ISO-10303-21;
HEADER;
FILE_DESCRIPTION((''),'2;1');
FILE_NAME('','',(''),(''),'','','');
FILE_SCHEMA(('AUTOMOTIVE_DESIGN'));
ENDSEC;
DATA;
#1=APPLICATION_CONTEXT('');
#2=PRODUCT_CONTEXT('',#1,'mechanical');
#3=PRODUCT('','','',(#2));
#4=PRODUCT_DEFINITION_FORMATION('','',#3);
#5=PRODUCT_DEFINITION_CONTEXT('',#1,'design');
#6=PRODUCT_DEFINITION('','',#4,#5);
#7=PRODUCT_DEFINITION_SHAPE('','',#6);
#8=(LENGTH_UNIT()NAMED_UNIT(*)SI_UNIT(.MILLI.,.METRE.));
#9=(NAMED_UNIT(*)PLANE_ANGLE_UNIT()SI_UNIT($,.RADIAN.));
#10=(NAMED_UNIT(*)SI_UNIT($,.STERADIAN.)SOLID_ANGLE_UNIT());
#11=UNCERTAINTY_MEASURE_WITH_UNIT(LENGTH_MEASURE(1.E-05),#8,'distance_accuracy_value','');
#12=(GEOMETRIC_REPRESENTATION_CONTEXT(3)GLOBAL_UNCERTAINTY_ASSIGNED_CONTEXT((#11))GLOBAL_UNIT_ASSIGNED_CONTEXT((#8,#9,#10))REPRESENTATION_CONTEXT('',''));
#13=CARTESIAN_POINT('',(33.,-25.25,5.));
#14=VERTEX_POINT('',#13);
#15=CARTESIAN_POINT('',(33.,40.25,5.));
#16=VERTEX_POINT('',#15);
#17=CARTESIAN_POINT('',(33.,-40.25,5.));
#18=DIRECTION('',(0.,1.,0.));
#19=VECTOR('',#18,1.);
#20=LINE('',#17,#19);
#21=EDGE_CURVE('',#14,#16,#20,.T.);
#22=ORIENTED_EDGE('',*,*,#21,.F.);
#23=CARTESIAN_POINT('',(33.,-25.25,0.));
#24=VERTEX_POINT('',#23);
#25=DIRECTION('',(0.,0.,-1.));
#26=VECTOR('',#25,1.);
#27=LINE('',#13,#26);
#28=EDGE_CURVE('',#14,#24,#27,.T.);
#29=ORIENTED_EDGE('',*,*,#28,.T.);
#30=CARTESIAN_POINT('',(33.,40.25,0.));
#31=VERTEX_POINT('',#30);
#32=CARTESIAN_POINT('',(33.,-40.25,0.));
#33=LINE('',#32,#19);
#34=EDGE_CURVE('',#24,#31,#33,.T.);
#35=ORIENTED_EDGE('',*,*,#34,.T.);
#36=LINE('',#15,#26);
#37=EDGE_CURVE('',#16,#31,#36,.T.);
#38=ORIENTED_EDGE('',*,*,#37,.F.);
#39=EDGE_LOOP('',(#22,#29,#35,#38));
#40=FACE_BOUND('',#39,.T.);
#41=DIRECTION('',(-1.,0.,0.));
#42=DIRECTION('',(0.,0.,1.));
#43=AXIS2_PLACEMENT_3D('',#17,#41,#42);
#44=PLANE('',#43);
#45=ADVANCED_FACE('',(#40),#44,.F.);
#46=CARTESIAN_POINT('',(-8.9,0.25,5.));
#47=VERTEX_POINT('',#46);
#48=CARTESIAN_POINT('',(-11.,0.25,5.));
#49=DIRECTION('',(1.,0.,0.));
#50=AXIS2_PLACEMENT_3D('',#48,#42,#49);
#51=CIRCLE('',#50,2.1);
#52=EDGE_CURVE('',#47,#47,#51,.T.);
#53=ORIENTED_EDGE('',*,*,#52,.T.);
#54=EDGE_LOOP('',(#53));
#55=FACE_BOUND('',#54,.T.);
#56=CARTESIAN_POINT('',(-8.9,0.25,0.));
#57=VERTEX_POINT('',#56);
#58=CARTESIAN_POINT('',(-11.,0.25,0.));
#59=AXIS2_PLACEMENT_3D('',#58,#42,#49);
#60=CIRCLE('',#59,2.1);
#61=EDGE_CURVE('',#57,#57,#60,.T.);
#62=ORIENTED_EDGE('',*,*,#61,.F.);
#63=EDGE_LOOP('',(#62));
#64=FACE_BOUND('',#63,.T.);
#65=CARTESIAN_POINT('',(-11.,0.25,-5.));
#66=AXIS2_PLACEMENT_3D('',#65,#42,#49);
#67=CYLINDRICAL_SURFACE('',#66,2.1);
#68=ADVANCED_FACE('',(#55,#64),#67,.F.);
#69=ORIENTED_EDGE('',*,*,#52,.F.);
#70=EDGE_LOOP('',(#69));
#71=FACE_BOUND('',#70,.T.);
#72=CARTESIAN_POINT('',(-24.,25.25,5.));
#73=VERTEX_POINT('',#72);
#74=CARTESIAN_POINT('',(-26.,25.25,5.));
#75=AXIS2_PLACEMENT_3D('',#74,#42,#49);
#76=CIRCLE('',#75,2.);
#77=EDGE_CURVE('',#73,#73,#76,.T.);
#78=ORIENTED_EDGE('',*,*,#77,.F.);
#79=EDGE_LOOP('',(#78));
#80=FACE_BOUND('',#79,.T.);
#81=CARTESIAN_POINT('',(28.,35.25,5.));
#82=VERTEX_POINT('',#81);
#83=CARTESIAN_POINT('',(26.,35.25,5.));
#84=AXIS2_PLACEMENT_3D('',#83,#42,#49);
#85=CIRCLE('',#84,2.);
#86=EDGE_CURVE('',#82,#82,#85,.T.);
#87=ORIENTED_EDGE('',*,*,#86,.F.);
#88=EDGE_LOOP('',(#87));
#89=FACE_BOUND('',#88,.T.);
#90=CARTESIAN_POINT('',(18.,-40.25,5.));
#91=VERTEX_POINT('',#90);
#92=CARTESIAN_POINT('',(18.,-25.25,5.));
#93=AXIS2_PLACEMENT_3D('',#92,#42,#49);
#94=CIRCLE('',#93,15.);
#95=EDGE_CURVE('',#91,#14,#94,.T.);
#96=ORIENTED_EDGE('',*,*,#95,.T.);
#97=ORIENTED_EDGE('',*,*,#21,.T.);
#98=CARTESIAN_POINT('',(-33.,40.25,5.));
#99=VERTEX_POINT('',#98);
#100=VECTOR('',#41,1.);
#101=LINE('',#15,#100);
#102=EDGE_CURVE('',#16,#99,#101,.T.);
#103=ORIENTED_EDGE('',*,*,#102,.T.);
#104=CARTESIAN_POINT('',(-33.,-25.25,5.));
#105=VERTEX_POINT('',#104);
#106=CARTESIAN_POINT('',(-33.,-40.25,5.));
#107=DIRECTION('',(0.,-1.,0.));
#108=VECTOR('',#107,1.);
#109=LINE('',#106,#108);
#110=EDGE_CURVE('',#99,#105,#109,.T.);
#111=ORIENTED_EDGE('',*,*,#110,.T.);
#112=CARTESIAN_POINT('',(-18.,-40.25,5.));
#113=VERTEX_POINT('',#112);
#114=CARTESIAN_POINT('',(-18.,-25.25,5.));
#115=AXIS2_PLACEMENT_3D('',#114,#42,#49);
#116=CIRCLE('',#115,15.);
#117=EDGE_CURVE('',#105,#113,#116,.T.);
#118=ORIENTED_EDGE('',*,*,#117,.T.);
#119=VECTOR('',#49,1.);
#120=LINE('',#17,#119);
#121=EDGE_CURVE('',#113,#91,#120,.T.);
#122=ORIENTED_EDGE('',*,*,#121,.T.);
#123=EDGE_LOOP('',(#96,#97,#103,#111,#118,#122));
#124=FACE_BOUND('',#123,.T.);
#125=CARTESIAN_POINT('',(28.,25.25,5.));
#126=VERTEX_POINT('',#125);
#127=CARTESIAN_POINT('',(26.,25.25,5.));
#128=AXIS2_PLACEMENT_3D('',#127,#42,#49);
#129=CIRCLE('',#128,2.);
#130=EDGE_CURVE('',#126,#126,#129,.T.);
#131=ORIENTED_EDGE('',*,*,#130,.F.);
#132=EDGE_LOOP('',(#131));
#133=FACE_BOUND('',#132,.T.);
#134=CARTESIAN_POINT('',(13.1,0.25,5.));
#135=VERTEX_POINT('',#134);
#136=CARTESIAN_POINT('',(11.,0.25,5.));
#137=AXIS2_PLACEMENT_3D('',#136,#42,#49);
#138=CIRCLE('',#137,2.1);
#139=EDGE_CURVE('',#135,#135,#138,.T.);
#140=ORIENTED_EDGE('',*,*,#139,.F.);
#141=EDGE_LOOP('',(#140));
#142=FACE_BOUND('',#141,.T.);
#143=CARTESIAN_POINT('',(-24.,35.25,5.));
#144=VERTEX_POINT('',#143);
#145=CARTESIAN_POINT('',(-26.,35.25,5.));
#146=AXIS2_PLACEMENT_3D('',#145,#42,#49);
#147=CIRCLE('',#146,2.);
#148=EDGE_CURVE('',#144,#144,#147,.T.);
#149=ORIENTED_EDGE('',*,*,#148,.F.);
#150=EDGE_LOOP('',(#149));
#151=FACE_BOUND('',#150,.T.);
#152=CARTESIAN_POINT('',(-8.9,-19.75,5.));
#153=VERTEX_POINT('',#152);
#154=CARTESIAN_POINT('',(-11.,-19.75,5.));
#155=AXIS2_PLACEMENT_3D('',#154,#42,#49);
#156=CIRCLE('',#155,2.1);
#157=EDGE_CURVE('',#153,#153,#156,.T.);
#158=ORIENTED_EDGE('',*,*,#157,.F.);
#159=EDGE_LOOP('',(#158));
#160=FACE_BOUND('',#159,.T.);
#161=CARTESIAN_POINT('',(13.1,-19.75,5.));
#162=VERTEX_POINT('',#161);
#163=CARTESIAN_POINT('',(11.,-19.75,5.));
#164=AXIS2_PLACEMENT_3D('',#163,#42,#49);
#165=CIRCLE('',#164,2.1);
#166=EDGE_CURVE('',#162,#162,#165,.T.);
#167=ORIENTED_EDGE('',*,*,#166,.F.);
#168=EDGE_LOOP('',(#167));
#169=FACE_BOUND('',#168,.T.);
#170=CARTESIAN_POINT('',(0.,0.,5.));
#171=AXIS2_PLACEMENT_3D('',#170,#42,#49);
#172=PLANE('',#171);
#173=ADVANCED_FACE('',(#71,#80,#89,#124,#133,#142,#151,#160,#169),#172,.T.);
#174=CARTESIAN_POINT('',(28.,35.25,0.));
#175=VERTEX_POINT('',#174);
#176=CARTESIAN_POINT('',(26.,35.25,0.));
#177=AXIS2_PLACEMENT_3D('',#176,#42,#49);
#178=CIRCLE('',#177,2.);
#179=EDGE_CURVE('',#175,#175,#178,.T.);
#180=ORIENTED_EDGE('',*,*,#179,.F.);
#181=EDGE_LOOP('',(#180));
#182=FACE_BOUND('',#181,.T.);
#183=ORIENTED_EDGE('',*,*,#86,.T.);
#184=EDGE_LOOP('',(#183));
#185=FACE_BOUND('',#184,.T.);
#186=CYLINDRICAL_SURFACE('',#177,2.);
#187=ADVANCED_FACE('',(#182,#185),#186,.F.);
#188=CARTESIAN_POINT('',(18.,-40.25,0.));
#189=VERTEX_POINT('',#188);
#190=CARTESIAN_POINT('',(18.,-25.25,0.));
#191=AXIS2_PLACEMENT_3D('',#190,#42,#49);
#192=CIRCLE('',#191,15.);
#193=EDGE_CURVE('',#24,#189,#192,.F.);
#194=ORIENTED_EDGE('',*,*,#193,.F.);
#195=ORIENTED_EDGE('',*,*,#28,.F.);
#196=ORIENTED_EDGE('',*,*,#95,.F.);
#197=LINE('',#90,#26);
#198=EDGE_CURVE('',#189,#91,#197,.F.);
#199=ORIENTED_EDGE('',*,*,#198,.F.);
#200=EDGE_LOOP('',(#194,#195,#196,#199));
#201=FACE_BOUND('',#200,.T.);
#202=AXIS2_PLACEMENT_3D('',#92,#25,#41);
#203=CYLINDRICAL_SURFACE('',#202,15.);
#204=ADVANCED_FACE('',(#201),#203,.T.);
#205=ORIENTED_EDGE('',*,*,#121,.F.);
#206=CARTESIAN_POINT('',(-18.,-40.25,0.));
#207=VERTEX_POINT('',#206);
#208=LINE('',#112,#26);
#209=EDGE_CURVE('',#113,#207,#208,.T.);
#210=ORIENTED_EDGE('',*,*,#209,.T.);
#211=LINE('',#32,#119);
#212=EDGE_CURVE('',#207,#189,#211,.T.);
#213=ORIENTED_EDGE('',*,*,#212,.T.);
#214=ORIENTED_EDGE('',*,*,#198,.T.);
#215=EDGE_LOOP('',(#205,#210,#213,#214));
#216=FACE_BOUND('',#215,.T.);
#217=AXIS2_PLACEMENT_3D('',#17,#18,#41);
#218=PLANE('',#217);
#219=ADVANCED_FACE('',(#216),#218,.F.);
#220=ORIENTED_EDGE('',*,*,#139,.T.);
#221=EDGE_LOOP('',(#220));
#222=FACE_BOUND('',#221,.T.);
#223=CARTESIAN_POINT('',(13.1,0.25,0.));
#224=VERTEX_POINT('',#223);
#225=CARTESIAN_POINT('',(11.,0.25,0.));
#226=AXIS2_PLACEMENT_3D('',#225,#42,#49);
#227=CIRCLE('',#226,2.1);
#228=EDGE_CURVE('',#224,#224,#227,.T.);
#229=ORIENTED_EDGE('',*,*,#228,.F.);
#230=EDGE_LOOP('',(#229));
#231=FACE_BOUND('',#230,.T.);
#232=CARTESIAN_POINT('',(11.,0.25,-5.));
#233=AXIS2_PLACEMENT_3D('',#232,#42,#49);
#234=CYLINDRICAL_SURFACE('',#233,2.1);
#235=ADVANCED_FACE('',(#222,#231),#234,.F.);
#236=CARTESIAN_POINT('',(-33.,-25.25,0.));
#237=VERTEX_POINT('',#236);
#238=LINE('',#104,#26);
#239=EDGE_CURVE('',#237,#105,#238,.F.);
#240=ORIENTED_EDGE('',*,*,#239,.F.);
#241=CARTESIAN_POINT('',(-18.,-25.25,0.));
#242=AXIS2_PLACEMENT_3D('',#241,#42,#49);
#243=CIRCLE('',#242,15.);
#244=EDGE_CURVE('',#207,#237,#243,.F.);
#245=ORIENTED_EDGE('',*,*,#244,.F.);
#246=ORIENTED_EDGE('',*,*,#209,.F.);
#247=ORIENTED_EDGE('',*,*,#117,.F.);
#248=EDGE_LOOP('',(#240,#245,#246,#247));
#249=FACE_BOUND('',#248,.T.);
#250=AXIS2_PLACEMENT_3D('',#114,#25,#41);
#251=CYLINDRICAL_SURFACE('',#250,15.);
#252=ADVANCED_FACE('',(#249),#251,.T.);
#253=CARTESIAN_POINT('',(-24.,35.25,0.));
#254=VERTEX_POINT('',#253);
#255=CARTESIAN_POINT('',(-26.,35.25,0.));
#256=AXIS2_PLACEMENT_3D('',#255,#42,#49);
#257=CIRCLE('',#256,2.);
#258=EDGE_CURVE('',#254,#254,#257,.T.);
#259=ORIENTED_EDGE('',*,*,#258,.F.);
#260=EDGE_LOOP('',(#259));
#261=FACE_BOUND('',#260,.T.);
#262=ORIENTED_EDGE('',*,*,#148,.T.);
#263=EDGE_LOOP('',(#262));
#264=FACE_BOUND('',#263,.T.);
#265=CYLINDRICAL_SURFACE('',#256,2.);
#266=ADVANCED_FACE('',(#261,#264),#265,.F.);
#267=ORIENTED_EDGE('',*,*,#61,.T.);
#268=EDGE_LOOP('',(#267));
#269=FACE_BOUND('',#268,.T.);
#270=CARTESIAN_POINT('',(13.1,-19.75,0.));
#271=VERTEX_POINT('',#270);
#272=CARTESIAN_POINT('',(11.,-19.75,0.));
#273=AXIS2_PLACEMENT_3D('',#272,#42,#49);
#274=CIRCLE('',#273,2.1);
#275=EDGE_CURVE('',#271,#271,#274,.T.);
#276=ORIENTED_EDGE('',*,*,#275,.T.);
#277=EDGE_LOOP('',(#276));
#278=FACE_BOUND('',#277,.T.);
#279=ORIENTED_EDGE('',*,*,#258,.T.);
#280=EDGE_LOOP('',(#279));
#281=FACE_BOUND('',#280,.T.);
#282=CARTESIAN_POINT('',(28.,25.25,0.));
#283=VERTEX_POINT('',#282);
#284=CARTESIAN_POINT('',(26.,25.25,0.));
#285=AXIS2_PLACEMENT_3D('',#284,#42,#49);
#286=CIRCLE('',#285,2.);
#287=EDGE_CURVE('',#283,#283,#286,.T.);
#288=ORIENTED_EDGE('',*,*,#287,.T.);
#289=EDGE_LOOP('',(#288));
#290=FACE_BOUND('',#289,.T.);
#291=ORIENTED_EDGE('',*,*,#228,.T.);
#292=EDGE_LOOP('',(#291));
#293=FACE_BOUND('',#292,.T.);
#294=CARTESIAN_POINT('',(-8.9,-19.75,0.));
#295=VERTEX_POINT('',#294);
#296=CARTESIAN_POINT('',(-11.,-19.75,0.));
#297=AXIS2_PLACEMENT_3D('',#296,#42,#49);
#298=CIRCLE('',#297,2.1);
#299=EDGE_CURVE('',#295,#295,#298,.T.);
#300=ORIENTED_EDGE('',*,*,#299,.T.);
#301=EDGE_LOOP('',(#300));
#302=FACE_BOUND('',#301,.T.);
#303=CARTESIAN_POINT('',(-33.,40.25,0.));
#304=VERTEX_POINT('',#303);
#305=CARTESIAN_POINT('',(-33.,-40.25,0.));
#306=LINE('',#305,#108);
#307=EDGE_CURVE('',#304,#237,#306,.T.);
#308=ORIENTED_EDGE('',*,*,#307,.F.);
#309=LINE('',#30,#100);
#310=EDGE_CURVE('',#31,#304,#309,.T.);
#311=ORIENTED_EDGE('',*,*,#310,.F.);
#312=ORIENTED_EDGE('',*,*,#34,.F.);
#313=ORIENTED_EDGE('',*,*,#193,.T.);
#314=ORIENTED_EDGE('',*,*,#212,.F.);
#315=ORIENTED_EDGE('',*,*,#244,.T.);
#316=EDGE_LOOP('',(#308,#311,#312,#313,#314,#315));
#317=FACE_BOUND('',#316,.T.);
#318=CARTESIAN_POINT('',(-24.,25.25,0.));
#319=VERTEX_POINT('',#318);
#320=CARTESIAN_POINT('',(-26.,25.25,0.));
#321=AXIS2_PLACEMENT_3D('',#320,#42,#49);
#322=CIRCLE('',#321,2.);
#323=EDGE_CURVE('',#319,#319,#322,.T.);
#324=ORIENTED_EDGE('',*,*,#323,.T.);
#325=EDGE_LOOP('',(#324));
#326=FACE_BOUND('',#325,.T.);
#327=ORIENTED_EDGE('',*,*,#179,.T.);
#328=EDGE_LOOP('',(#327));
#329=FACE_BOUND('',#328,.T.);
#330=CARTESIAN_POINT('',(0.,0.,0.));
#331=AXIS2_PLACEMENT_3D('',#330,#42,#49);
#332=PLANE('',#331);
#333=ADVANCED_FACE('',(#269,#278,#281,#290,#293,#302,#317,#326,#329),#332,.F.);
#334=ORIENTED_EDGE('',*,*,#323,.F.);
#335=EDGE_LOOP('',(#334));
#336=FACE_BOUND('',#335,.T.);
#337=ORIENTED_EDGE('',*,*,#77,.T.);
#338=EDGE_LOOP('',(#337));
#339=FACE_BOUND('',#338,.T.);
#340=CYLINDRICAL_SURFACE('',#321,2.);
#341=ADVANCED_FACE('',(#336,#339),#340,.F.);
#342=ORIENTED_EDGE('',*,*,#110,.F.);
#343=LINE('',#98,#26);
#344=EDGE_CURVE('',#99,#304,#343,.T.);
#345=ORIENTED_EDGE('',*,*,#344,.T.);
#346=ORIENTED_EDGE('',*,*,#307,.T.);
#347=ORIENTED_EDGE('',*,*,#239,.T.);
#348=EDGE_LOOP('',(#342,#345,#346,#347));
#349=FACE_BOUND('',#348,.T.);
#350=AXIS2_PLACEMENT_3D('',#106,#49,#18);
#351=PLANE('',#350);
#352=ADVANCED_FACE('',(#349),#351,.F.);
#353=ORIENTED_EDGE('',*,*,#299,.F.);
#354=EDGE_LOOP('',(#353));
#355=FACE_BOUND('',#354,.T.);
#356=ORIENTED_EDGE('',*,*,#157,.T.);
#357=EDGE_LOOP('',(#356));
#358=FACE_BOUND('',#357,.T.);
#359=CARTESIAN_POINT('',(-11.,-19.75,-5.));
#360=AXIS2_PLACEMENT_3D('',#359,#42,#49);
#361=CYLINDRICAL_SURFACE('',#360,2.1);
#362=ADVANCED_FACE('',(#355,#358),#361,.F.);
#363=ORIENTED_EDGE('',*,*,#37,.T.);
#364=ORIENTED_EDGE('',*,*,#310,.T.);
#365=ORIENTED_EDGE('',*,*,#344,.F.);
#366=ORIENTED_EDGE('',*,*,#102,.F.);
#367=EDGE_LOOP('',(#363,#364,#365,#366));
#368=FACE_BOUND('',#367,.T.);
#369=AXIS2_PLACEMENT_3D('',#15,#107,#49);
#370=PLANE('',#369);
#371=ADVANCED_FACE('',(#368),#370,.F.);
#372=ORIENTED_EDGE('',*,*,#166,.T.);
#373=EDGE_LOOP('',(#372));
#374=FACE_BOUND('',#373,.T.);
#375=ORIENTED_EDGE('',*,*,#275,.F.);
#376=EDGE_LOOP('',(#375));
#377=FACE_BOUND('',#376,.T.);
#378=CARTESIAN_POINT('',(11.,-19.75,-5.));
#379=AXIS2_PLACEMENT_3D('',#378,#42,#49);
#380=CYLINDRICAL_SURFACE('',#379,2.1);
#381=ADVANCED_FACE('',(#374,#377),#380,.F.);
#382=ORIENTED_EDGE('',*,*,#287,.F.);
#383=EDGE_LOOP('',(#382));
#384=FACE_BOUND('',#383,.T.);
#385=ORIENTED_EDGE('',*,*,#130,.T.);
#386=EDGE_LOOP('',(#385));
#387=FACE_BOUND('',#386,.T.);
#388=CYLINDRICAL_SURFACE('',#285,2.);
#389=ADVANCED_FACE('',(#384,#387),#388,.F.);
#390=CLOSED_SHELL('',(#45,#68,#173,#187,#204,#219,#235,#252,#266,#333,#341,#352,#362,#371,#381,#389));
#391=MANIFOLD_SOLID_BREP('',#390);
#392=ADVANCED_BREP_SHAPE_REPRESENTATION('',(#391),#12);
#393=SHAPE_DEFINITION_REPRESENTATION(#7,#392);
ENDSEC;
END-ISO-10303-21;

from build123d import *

# Parameters (mm, degrees)
SKETCH_1_W          = 66
SKETCH_1_H          = 80.5
EXTRUDE_1_DEPTH     = 5
SKETCH_2_R          = 2
CUT_EXTRUDE_1_DEPTH = 53.288263501
SKETCH_3_R          = 2.1
CUT_EXTRUDE_2_DEPTH = 10
FILLET_1_R          = 15


with BuildPart() as part:
    # 草图1 → 凸台-拉伸1 (new body)
    with BuildSketch(Plane.XY):
        Rectangle(SKETCH_1_W, SKETCH_1_H)
    extrude(amount=EXTRUDE_1_DEPTH)

    # 草图2 → 切除-拉伸1 (cut, through all)
    with BuildSketch(Plane.XY.offset(5)):
        with Locations((-26, 35.25)):
            Circle(SKETCH_2_R)
        with Locations((26, 35.25)):
            Circle(SKETCH_2_R)
        with Locations((26, 25.25)):
            Circle(SKETCH_2_R)
        with Locations((-26, 25.25)):
            Circle(SKETCH_2_R)
    extrude(amount=-CUT_EXTRUDE_1_DEPTH, mode=Mode.SUBTRACT)

    # 草图3 → 切除-拉伸2 (cut)
    with BuildSketch(Plane.XY.offset(5)):
        with Locations((-11, 0.25)):
            Circle(SKETCH_3_R)
        with Locations((11, 0.25)):
            Circle(SKETCH_3_R)
        with Locations((11, -19.75)):
            Circle(SKETCH_3_R)
        with Locations((-11, -19.75)):
            Circle(SKETCH_3_R)
    extrude(amount=-CUT_EXTRUDE_2_DEPTH, mode=Mode.SUBTRACT)

    # 圆角1
    fillet_1_edges = [part.edges().sort_by_distance(p)[0] for p in [
        (33, -40.25, 2.5),
        (-33, -40.25, 2.5),
    ]]
    fillet(fillet_1_edges, radius=FILLET_1_R)


solid = part.part
